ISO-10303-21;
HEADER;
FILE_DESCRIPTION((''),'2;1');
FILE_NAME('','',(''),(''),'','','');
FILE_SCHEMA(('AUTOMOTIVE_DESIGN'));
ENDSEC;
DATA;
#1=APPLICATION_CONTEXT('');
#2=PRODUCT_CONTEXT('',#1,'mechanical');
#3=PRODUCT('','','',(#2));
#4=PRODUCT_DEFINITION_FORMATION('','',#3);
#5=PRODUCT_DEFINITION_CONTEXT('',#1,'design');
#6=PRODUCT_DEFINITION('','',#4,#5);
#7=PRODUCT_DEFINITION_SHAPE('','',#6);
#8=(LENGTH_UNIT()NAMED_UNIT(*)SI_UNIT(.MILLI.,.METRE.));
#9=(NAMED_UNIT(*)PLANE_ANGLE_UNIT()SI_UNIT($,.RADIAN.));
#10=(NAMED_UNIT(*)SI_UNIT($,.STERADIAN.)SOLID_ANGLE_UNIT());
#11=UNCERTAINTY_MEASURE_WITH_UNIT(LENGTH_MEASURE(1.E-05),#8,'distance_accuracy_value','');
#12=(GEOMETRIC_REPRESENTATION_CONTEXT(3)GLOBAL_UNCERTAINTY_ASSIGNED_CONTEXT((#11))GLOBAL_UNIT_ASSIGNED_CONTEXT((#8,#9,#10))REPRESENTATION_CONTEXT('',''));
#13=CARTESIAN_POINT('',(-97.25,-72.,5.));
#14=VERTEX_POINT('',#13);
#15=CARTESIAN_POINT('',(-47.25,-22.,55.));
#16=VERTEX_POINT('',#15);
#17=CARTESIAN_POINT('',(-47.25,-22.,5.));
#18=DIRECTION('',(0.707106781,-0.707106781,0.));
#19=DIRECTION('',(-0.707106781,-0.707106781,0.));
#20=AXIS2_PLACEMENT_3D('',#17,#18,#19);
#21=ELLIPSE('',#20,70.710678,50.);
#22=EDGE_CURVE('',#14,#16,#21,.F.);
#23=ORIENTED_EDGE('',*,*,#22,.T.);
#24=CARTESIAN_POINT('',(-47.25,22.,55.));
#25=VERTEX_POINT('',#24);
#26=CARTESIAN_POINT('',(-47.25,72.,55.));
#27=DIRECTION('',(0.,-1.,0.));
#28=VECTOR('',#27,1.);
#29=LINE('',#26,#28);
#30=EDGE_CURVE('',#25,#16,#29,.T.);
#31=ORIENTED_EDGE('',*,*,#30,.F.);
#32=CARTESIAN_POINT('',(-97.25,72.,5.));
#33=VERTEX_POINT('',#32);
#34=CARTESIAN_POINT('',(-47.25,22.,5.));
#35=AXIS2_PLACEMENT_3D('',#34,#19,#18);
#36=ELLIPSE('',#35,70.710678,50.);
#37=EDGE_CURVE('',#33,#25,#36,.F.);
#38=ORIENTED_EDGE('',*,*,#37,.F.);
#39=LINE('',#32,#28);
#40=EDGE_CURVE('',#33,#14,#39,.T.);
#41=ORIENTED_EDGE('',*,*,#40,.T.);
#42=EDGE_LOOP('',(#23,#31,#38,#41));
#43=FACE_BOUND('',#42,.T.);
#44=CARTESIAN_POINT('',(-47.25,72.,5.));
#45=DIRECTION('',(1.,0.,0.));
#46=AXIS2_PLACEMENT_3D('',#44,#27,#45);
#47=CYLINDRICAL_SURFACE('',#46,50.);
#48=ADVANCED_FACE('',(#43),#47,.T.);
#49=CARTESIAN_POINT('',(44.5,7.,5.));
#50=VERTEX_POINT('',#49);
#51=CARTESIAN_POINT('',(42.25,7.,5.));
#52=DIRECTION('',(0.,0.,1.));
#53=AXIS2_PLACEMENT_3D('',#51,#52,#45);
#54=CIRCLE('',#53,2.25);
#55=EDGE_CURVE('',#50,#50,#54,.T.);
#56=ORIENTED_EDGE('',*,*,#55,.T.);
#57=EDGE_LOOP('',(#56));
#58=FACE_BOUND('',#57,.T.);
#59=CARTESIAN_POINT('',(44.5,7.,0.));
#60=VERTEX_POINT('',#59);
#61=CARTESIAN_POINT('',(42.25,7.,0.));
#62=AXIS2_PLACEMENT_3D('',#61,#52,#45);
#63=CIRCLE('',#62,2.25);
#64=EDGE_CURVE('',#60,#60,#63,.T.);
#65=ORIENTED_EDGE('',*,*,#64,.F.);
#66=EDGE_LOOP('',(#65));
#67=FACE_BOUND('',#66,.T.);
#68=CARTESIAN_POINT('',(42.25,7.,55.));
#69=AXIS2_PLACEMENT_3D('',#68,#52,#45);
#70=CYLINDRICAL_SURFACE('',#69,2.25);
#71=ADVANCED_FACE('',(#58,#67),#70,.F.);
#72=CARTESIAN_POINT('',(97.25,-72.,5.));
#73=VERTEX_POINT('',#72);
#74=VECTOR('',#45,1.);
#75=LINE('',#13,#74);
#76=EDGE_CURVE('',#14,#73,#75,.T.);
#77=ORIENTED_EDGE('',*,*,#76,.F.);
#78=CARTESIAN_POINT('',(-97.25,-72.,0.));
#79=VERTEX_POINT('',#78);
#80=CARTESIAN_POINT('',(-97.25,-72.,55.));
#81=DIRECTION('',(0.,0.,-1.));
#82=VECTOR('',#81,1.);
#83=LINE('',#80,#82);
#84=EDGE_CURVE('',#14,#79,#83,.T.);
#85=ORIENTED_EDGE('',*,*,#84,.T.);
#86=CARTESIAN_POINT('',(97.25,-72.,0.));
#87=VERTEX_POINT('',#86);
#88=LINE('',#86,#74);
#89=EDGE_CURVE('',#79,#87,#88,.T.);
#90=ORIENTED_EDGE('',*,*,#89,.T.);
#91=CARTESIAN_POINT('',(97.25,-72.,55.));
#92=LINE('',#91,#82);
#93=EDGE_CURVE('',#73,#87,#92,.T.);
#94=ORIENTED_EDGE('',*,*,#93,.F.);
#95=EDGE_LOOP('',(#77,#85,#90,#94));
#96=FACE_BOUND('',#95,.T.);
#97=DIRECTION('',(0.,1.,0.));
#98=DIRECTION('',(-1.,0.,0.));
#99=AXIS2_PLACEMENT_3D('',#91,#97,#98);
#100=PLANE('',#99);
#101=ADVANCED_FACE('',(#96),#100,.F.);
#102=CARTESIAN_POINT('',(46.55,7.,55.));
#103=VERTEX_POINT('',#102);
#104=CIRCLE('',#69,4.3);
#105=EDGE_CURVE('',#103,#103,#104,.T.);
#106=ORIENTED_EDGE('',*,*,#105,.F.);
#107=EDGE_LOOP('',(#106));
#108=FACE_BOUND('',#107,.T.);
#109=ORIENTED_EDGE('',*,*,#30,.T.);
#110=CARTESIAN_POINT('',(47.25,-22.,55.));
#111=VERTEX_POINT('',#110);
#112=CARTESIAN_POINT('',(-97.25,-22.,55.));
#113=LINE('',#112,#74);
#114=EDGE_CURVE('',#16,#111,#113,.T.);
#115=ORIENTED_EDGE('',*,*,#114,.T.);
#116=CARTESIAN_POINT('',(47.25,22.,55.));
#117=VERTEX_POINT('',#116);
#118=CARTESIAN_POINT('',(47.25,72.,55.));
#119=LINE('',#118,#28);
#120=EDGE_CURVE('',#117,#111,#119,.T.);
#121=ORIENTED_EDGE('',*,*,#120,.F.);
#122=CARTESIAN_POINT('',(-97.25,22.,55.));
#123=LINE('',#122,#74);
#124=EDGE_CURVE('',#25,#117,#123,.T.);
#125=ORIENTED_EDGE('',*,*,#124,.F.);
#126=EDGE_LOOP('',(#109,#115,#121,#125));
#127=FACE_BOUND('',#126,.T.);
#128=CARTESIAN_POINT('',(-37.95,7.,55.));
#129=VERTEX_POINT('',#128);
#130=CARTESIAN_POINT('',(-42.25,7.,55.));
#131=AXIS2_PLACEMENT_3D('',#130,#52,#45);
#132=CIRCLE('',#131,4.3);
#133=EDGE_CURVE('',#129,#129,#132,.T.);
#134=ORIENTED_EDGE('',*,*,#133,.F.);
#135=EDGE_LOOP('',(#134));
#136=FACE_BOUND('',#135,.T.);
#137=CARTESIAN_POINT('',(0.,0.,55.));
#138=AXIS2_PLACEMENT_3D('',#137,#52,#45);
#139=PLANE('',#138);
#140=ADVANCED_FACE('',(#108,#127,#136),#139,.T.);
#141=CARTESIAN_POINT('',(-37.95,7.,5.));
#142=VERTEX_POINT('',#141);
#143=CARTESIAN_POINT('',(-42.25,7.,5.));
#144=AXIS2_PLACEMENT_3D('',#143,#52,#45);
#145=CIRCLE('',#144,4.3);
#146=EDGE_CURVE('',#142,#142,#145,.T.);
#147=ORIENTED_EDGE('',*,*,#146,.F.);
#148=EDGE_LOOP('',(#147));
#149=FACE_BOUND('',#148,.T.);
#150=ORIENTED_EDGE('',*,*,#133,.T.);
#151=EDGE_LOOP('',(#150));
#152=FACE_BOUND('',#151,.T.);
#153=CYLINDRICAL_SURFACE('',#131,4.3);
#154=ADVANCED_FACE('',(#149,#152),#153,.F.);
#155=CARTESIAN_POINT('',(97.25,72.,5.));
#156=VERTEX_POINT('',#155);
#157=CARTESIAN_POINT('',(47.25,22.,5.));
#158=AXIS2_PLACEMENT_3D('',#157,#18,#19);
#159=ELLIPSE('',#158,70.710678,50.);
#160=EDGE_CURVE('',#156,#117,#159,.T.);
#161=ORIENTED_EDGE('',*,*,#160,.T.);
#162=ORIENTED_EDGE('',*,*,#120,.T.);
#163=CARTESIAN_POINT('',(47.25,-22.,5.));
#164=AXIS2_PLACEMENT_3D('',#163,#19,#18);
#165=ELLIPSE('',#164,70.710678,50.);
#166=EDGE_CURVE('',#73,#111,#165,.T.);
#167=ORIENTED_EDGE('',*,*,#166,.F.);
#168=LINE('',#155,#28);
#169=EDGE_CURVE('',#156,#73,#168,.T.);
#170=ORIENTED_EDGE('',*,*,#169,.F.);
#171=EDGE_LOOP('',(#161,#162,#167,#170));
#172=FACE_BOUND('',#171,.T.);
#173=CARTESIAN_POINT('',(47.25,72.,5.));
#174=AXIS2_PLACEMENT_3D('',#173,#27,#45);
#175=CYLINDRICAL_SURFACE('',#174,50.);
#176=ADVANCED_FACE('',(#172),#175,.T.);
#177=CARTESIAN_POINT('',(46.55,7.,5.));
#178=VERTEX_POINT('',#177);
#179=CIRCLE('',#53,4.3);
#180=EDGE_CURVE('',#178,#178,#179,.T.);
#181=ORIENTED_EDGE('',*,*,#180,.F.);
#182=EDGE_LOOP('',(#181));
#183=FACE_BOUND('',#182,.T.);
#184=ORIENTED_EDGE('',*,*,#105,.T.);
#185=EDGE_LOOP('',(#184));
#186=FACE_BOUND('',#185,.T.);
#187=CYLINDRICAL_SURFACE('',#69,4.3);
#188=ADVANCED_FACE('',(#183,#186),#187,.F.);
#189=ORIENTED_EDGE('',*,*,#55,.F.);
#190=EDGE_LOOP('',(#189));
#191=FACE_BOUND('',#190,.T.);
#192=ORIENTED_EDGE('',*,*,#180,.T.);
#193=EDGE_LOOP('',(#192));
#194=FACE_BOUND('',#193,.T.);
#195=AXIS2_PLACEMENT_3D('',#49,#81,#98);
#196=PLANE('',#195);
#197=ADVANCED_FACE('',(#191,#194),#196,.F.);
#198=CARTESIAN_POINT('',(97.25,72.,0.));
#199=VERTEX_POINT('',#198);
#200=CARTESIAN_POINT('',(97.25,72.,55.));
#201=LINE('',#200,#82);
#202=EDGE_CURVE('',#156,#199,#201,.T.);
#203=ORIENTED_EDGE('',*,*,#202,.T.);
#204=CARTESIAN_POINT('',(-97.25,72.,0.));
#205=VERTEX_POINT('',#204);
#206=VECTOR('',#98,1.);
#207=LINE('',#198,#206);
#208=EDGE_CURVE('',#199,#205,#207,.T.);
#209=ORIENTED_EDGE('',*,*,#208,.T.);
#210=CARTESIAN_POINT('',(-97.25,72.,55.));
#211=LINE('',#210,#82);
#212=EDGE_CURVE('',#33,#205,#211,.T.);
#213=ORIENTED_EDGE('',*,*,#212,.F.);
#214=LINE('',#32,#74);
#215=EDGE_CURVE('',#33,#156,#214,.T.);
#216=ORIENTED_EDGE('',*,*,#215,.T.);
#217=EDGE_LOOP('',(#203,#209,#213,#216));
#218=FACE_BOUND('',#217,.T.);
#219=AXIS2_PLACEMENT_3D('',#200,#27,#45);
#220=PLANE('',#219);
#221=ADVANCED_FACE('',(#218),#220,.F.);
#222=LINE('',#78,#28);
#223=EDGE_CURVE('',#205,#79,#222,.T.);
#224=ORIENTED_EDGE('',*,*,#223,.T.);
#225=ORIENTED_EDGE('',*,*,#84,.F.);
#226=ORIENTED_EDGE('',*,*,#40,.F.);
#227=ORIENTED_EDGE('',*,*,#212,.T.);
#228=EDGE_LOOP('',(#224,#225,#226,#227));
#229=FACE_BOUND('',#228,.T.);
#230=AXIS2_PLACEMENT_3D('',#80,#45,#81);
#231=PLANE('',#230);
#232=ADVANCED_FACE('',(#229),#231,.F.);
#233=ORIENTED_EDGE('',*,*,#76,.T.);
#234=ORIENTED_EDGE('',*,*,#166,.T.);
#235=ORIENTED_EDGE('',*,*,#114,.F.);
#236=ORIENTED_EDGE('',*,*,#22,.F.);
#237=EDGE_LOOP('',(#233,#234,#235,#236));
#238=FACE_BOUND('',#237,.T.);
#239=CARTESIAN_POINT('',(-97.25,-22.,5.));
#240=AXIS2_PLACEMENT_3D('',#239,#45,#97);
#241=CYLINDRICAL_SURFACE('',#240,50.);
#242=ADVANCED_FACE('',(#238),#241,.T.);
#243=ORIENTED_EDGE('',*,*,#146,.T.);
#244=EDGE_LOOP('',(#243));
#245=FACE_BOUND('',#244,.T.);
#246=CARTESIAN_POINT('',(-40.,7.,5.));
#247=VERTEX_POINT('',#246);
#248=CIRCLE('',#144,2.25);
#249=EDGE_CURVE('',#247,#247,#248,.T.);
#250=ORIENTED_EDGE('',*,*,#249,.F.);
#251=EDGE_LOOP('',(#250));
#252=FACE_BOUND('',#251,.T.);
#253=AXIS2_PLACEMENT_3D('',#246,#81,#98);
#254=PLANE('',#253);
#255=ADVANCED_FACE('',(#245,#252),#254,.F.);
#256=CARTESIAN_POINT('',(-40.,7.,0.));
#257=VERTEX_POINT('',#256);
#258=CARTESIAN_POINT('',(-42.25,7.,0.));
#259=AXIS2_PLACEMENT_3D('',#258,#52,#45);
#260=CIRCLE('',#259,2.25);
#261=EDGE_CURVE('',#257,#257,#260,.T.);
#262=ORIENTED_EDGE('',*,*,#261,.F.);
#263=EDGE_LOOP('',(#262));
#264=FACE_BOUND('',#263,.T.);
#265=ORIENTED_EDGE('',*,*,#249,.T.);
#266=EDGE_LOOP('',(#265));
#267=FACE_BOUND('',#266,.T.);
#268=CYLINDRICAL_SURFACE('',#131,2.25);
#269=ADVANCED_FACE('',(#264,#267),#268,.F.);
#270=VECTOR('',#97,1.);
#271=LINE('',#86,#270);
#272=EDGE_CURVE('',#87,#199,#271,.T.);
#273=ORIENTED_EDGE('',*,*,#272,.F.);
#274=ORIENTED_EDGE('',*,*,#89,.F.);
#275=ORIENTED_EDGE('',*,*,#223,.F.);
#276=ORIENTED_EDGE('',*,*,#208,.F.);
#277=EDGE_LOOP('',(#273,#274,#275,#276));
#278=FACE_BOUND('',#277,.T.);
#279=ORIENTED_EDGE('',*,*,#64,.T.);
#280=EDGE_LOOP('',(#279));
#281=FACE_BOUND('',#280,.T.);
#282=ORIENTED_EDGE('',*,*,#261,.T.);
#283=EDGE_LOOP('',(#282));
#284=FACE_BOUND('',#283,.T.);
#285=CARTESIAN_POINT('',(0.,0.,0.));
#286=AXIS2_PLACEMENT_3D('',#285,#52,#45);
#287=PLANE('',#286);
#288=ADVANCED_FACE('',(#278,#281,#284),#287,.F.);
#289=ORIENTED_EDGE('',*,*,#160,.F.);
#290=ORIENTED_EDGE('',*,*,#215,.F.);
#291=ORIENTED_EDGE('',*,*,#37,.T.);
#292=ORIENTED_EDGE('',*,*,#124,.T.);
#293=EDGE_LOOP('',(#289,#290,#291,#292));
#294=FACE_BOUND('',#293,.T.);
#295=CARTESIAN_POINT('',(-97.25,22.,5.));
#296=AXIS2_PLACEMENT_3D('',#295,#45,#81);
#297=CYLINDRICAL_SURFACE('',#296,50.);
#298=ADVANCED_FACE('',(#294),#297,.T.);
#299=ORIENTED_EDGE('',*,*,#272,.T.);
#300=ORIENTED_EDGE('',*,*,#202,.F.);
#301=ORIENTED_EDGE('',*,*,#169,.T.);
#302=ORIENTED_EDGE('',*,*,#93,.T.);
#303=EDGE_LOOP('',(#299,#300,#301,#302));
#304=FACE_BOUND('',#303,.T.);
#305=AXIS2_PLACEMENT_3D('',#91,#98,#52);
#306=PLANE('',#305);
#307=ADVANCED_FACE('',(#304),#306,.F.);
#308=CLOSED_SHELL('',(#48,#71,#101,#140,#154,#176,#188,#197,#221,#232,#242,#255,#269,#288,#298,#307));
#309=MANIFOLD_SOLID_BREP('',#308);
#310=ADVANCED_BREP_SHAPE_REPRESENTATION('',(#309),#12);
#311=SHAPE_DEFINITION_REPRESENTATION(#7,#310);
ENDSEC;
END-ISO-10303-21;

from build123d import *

# Parameters (mm, degrees)
AUFSATZ_LINEAR_AUSTRAGEN1_DEPTH                     = 55
SCHNITT_LINEAR_AUSTRAGEN1_DEPTH                     = 183.25960194184557
SCHNITT_LINEAR_AUSTRAGEN2_DEPTH                     = 215.5675884191273
STIRNSENKUNG_F_R_M4_SENKSCHRAUBE_KOPF_B_D           = 4.5
STIRNSENKUNG_F_R_M4_SENKSCHRAUBE_KOPF_B_CBORE_D     = 8.6
STIRNSENKUNG_F_R_M4_SENKSCHRAUBE_KOPF_B_CBORE_DEPTH = 50


with BuildPart() as part:
    # Skizze2 → Aufsatz-Linear austragen1 (new body)
    with BuildSketch(Plane.XY):
        Polygon((97.25, -71.99999999999999), (-97.25, -72.00000000000001), (-97.25, 72), (97.25, 72.00000000000001), align=None)
    extrude(amount=AUFSATZ_LINEAR_AUSTRAGEN1_DEPTH)

    # Skizze3 → Schnitt-Linear austragen1 (cut, through all)
    with BuildSketch(Plane.XZ.offset(72)):
        with BuildLine():
            Line((-47.250000000000014, 54.99999999999999), (-31.187648825052438, 55))
            Line((-31.187648825052438, 55), (-49.06524576519668, 93.49392426446363))
            Line((-49.06524576519668, 93.49392426446363), (-152.6979191152644, 34.404714288264984))
            Line((-152.6979191152644, 34.404714288264984), (-97.25000000000001, -29.09207494836323))
            Line((-97.25000000000001, -29.09207494836323), (-97.25, 4.99999999999999))
            ThreePointArc((-97.25, 4.99999999999999), (-82.60533905932738, 40.35533905932737), (-47.250000000000014, 54.99999999999999))
        make_face()
    schnitt_linear_austragen1 = extrude(amount=-SCHNITT_LINEAR_AUSTRAGEN1_DEPTH, mode=Mode.SUBTRACT)

    # Spiegeln3: Schnitt-Linear austragen1 across plane
    add(schnitt_linear_austragen1.mirror(Plane(origin=(0, 0, 0), x_dir=(0, 0, 1), z_dir=(1, 0, 0))), mode=Mode.SUBTRACT)

    # Skizze6 → Schnitt-Linear austragen2 (cut, through all)
    with BuildSketch(Plane(origin=(97.25, 0, 0), x_dir=(0, 0, -1), z_dir=(1, 0, 0))):
        with BuildLine():
            Line((-4.999999999999997, 72.00000000000001), (11.062351174947562, 72.00000000000003))
            Line((11.062351174947562, 72.00000000000003), (-41.4687477452512, 93.52582627901205))
            Line((-41.4687477452512, 93.52582627901205), (-130.24502976788665, 42.907423802585875))
            Line((-130.24502976788665, 42.907423802585875), (-54.99999999999999, -43.260242586178926))
            Line((-54.99999999999999, -43.260242586178926), (-55, 22))
            ThreePointArc((-55, 22), (-40.35533905932737, 57.35533905932739), (-4.999999999999997, 72.00000000000001))
        make_face()
    schnitt_linear_austragen2 = extrude(amount=-SCHNITT_LINEAR_AUSTRAGEN2_DEPTH, mode=Mode.SUBTRACT)

    # Spiegeln4: Schnitt-Linear austragen2 across plane
    add(schnitt_linear_austragen2.mirror(Plane.ZX), mode=Mode.SUBTRACT)

    # Stirnsenkung für M4 Senkschraube (Kopf Button)1 (through all)
    with Locations(Plane.XY.offset(55)):
        with Locations((-42.25, 7)):
            stirnsenkung_f_r_m4_senkschraube_kopf_b = CounterBoreHole(STIRNSENKUNG_F_R_M4_SENKSCHRAUBE_KOPF_B_D / 2, STIRNSENKUNG_F_R_M4_SENKSCHRAUBE_KOPF_B_CBORE_D / 2, STIRNSENKUNG_F_R_M4_SENKSCHRAUBE_KOPF_B_CBORE_DEPTH)

    # Spiegeln5: Stirnsenkung für M4 Senkschraube (Kopf Button)1 across plane
    add(stirnsenkung_f_r_m4_senkschraube_kopf_b.mirror(Plane(origin=(0, 0, 0), x_dir=(0, 0, 1), z_dir=(1, 0, 0))), mode=Mode.SUBTRACT)


solid = part.part
